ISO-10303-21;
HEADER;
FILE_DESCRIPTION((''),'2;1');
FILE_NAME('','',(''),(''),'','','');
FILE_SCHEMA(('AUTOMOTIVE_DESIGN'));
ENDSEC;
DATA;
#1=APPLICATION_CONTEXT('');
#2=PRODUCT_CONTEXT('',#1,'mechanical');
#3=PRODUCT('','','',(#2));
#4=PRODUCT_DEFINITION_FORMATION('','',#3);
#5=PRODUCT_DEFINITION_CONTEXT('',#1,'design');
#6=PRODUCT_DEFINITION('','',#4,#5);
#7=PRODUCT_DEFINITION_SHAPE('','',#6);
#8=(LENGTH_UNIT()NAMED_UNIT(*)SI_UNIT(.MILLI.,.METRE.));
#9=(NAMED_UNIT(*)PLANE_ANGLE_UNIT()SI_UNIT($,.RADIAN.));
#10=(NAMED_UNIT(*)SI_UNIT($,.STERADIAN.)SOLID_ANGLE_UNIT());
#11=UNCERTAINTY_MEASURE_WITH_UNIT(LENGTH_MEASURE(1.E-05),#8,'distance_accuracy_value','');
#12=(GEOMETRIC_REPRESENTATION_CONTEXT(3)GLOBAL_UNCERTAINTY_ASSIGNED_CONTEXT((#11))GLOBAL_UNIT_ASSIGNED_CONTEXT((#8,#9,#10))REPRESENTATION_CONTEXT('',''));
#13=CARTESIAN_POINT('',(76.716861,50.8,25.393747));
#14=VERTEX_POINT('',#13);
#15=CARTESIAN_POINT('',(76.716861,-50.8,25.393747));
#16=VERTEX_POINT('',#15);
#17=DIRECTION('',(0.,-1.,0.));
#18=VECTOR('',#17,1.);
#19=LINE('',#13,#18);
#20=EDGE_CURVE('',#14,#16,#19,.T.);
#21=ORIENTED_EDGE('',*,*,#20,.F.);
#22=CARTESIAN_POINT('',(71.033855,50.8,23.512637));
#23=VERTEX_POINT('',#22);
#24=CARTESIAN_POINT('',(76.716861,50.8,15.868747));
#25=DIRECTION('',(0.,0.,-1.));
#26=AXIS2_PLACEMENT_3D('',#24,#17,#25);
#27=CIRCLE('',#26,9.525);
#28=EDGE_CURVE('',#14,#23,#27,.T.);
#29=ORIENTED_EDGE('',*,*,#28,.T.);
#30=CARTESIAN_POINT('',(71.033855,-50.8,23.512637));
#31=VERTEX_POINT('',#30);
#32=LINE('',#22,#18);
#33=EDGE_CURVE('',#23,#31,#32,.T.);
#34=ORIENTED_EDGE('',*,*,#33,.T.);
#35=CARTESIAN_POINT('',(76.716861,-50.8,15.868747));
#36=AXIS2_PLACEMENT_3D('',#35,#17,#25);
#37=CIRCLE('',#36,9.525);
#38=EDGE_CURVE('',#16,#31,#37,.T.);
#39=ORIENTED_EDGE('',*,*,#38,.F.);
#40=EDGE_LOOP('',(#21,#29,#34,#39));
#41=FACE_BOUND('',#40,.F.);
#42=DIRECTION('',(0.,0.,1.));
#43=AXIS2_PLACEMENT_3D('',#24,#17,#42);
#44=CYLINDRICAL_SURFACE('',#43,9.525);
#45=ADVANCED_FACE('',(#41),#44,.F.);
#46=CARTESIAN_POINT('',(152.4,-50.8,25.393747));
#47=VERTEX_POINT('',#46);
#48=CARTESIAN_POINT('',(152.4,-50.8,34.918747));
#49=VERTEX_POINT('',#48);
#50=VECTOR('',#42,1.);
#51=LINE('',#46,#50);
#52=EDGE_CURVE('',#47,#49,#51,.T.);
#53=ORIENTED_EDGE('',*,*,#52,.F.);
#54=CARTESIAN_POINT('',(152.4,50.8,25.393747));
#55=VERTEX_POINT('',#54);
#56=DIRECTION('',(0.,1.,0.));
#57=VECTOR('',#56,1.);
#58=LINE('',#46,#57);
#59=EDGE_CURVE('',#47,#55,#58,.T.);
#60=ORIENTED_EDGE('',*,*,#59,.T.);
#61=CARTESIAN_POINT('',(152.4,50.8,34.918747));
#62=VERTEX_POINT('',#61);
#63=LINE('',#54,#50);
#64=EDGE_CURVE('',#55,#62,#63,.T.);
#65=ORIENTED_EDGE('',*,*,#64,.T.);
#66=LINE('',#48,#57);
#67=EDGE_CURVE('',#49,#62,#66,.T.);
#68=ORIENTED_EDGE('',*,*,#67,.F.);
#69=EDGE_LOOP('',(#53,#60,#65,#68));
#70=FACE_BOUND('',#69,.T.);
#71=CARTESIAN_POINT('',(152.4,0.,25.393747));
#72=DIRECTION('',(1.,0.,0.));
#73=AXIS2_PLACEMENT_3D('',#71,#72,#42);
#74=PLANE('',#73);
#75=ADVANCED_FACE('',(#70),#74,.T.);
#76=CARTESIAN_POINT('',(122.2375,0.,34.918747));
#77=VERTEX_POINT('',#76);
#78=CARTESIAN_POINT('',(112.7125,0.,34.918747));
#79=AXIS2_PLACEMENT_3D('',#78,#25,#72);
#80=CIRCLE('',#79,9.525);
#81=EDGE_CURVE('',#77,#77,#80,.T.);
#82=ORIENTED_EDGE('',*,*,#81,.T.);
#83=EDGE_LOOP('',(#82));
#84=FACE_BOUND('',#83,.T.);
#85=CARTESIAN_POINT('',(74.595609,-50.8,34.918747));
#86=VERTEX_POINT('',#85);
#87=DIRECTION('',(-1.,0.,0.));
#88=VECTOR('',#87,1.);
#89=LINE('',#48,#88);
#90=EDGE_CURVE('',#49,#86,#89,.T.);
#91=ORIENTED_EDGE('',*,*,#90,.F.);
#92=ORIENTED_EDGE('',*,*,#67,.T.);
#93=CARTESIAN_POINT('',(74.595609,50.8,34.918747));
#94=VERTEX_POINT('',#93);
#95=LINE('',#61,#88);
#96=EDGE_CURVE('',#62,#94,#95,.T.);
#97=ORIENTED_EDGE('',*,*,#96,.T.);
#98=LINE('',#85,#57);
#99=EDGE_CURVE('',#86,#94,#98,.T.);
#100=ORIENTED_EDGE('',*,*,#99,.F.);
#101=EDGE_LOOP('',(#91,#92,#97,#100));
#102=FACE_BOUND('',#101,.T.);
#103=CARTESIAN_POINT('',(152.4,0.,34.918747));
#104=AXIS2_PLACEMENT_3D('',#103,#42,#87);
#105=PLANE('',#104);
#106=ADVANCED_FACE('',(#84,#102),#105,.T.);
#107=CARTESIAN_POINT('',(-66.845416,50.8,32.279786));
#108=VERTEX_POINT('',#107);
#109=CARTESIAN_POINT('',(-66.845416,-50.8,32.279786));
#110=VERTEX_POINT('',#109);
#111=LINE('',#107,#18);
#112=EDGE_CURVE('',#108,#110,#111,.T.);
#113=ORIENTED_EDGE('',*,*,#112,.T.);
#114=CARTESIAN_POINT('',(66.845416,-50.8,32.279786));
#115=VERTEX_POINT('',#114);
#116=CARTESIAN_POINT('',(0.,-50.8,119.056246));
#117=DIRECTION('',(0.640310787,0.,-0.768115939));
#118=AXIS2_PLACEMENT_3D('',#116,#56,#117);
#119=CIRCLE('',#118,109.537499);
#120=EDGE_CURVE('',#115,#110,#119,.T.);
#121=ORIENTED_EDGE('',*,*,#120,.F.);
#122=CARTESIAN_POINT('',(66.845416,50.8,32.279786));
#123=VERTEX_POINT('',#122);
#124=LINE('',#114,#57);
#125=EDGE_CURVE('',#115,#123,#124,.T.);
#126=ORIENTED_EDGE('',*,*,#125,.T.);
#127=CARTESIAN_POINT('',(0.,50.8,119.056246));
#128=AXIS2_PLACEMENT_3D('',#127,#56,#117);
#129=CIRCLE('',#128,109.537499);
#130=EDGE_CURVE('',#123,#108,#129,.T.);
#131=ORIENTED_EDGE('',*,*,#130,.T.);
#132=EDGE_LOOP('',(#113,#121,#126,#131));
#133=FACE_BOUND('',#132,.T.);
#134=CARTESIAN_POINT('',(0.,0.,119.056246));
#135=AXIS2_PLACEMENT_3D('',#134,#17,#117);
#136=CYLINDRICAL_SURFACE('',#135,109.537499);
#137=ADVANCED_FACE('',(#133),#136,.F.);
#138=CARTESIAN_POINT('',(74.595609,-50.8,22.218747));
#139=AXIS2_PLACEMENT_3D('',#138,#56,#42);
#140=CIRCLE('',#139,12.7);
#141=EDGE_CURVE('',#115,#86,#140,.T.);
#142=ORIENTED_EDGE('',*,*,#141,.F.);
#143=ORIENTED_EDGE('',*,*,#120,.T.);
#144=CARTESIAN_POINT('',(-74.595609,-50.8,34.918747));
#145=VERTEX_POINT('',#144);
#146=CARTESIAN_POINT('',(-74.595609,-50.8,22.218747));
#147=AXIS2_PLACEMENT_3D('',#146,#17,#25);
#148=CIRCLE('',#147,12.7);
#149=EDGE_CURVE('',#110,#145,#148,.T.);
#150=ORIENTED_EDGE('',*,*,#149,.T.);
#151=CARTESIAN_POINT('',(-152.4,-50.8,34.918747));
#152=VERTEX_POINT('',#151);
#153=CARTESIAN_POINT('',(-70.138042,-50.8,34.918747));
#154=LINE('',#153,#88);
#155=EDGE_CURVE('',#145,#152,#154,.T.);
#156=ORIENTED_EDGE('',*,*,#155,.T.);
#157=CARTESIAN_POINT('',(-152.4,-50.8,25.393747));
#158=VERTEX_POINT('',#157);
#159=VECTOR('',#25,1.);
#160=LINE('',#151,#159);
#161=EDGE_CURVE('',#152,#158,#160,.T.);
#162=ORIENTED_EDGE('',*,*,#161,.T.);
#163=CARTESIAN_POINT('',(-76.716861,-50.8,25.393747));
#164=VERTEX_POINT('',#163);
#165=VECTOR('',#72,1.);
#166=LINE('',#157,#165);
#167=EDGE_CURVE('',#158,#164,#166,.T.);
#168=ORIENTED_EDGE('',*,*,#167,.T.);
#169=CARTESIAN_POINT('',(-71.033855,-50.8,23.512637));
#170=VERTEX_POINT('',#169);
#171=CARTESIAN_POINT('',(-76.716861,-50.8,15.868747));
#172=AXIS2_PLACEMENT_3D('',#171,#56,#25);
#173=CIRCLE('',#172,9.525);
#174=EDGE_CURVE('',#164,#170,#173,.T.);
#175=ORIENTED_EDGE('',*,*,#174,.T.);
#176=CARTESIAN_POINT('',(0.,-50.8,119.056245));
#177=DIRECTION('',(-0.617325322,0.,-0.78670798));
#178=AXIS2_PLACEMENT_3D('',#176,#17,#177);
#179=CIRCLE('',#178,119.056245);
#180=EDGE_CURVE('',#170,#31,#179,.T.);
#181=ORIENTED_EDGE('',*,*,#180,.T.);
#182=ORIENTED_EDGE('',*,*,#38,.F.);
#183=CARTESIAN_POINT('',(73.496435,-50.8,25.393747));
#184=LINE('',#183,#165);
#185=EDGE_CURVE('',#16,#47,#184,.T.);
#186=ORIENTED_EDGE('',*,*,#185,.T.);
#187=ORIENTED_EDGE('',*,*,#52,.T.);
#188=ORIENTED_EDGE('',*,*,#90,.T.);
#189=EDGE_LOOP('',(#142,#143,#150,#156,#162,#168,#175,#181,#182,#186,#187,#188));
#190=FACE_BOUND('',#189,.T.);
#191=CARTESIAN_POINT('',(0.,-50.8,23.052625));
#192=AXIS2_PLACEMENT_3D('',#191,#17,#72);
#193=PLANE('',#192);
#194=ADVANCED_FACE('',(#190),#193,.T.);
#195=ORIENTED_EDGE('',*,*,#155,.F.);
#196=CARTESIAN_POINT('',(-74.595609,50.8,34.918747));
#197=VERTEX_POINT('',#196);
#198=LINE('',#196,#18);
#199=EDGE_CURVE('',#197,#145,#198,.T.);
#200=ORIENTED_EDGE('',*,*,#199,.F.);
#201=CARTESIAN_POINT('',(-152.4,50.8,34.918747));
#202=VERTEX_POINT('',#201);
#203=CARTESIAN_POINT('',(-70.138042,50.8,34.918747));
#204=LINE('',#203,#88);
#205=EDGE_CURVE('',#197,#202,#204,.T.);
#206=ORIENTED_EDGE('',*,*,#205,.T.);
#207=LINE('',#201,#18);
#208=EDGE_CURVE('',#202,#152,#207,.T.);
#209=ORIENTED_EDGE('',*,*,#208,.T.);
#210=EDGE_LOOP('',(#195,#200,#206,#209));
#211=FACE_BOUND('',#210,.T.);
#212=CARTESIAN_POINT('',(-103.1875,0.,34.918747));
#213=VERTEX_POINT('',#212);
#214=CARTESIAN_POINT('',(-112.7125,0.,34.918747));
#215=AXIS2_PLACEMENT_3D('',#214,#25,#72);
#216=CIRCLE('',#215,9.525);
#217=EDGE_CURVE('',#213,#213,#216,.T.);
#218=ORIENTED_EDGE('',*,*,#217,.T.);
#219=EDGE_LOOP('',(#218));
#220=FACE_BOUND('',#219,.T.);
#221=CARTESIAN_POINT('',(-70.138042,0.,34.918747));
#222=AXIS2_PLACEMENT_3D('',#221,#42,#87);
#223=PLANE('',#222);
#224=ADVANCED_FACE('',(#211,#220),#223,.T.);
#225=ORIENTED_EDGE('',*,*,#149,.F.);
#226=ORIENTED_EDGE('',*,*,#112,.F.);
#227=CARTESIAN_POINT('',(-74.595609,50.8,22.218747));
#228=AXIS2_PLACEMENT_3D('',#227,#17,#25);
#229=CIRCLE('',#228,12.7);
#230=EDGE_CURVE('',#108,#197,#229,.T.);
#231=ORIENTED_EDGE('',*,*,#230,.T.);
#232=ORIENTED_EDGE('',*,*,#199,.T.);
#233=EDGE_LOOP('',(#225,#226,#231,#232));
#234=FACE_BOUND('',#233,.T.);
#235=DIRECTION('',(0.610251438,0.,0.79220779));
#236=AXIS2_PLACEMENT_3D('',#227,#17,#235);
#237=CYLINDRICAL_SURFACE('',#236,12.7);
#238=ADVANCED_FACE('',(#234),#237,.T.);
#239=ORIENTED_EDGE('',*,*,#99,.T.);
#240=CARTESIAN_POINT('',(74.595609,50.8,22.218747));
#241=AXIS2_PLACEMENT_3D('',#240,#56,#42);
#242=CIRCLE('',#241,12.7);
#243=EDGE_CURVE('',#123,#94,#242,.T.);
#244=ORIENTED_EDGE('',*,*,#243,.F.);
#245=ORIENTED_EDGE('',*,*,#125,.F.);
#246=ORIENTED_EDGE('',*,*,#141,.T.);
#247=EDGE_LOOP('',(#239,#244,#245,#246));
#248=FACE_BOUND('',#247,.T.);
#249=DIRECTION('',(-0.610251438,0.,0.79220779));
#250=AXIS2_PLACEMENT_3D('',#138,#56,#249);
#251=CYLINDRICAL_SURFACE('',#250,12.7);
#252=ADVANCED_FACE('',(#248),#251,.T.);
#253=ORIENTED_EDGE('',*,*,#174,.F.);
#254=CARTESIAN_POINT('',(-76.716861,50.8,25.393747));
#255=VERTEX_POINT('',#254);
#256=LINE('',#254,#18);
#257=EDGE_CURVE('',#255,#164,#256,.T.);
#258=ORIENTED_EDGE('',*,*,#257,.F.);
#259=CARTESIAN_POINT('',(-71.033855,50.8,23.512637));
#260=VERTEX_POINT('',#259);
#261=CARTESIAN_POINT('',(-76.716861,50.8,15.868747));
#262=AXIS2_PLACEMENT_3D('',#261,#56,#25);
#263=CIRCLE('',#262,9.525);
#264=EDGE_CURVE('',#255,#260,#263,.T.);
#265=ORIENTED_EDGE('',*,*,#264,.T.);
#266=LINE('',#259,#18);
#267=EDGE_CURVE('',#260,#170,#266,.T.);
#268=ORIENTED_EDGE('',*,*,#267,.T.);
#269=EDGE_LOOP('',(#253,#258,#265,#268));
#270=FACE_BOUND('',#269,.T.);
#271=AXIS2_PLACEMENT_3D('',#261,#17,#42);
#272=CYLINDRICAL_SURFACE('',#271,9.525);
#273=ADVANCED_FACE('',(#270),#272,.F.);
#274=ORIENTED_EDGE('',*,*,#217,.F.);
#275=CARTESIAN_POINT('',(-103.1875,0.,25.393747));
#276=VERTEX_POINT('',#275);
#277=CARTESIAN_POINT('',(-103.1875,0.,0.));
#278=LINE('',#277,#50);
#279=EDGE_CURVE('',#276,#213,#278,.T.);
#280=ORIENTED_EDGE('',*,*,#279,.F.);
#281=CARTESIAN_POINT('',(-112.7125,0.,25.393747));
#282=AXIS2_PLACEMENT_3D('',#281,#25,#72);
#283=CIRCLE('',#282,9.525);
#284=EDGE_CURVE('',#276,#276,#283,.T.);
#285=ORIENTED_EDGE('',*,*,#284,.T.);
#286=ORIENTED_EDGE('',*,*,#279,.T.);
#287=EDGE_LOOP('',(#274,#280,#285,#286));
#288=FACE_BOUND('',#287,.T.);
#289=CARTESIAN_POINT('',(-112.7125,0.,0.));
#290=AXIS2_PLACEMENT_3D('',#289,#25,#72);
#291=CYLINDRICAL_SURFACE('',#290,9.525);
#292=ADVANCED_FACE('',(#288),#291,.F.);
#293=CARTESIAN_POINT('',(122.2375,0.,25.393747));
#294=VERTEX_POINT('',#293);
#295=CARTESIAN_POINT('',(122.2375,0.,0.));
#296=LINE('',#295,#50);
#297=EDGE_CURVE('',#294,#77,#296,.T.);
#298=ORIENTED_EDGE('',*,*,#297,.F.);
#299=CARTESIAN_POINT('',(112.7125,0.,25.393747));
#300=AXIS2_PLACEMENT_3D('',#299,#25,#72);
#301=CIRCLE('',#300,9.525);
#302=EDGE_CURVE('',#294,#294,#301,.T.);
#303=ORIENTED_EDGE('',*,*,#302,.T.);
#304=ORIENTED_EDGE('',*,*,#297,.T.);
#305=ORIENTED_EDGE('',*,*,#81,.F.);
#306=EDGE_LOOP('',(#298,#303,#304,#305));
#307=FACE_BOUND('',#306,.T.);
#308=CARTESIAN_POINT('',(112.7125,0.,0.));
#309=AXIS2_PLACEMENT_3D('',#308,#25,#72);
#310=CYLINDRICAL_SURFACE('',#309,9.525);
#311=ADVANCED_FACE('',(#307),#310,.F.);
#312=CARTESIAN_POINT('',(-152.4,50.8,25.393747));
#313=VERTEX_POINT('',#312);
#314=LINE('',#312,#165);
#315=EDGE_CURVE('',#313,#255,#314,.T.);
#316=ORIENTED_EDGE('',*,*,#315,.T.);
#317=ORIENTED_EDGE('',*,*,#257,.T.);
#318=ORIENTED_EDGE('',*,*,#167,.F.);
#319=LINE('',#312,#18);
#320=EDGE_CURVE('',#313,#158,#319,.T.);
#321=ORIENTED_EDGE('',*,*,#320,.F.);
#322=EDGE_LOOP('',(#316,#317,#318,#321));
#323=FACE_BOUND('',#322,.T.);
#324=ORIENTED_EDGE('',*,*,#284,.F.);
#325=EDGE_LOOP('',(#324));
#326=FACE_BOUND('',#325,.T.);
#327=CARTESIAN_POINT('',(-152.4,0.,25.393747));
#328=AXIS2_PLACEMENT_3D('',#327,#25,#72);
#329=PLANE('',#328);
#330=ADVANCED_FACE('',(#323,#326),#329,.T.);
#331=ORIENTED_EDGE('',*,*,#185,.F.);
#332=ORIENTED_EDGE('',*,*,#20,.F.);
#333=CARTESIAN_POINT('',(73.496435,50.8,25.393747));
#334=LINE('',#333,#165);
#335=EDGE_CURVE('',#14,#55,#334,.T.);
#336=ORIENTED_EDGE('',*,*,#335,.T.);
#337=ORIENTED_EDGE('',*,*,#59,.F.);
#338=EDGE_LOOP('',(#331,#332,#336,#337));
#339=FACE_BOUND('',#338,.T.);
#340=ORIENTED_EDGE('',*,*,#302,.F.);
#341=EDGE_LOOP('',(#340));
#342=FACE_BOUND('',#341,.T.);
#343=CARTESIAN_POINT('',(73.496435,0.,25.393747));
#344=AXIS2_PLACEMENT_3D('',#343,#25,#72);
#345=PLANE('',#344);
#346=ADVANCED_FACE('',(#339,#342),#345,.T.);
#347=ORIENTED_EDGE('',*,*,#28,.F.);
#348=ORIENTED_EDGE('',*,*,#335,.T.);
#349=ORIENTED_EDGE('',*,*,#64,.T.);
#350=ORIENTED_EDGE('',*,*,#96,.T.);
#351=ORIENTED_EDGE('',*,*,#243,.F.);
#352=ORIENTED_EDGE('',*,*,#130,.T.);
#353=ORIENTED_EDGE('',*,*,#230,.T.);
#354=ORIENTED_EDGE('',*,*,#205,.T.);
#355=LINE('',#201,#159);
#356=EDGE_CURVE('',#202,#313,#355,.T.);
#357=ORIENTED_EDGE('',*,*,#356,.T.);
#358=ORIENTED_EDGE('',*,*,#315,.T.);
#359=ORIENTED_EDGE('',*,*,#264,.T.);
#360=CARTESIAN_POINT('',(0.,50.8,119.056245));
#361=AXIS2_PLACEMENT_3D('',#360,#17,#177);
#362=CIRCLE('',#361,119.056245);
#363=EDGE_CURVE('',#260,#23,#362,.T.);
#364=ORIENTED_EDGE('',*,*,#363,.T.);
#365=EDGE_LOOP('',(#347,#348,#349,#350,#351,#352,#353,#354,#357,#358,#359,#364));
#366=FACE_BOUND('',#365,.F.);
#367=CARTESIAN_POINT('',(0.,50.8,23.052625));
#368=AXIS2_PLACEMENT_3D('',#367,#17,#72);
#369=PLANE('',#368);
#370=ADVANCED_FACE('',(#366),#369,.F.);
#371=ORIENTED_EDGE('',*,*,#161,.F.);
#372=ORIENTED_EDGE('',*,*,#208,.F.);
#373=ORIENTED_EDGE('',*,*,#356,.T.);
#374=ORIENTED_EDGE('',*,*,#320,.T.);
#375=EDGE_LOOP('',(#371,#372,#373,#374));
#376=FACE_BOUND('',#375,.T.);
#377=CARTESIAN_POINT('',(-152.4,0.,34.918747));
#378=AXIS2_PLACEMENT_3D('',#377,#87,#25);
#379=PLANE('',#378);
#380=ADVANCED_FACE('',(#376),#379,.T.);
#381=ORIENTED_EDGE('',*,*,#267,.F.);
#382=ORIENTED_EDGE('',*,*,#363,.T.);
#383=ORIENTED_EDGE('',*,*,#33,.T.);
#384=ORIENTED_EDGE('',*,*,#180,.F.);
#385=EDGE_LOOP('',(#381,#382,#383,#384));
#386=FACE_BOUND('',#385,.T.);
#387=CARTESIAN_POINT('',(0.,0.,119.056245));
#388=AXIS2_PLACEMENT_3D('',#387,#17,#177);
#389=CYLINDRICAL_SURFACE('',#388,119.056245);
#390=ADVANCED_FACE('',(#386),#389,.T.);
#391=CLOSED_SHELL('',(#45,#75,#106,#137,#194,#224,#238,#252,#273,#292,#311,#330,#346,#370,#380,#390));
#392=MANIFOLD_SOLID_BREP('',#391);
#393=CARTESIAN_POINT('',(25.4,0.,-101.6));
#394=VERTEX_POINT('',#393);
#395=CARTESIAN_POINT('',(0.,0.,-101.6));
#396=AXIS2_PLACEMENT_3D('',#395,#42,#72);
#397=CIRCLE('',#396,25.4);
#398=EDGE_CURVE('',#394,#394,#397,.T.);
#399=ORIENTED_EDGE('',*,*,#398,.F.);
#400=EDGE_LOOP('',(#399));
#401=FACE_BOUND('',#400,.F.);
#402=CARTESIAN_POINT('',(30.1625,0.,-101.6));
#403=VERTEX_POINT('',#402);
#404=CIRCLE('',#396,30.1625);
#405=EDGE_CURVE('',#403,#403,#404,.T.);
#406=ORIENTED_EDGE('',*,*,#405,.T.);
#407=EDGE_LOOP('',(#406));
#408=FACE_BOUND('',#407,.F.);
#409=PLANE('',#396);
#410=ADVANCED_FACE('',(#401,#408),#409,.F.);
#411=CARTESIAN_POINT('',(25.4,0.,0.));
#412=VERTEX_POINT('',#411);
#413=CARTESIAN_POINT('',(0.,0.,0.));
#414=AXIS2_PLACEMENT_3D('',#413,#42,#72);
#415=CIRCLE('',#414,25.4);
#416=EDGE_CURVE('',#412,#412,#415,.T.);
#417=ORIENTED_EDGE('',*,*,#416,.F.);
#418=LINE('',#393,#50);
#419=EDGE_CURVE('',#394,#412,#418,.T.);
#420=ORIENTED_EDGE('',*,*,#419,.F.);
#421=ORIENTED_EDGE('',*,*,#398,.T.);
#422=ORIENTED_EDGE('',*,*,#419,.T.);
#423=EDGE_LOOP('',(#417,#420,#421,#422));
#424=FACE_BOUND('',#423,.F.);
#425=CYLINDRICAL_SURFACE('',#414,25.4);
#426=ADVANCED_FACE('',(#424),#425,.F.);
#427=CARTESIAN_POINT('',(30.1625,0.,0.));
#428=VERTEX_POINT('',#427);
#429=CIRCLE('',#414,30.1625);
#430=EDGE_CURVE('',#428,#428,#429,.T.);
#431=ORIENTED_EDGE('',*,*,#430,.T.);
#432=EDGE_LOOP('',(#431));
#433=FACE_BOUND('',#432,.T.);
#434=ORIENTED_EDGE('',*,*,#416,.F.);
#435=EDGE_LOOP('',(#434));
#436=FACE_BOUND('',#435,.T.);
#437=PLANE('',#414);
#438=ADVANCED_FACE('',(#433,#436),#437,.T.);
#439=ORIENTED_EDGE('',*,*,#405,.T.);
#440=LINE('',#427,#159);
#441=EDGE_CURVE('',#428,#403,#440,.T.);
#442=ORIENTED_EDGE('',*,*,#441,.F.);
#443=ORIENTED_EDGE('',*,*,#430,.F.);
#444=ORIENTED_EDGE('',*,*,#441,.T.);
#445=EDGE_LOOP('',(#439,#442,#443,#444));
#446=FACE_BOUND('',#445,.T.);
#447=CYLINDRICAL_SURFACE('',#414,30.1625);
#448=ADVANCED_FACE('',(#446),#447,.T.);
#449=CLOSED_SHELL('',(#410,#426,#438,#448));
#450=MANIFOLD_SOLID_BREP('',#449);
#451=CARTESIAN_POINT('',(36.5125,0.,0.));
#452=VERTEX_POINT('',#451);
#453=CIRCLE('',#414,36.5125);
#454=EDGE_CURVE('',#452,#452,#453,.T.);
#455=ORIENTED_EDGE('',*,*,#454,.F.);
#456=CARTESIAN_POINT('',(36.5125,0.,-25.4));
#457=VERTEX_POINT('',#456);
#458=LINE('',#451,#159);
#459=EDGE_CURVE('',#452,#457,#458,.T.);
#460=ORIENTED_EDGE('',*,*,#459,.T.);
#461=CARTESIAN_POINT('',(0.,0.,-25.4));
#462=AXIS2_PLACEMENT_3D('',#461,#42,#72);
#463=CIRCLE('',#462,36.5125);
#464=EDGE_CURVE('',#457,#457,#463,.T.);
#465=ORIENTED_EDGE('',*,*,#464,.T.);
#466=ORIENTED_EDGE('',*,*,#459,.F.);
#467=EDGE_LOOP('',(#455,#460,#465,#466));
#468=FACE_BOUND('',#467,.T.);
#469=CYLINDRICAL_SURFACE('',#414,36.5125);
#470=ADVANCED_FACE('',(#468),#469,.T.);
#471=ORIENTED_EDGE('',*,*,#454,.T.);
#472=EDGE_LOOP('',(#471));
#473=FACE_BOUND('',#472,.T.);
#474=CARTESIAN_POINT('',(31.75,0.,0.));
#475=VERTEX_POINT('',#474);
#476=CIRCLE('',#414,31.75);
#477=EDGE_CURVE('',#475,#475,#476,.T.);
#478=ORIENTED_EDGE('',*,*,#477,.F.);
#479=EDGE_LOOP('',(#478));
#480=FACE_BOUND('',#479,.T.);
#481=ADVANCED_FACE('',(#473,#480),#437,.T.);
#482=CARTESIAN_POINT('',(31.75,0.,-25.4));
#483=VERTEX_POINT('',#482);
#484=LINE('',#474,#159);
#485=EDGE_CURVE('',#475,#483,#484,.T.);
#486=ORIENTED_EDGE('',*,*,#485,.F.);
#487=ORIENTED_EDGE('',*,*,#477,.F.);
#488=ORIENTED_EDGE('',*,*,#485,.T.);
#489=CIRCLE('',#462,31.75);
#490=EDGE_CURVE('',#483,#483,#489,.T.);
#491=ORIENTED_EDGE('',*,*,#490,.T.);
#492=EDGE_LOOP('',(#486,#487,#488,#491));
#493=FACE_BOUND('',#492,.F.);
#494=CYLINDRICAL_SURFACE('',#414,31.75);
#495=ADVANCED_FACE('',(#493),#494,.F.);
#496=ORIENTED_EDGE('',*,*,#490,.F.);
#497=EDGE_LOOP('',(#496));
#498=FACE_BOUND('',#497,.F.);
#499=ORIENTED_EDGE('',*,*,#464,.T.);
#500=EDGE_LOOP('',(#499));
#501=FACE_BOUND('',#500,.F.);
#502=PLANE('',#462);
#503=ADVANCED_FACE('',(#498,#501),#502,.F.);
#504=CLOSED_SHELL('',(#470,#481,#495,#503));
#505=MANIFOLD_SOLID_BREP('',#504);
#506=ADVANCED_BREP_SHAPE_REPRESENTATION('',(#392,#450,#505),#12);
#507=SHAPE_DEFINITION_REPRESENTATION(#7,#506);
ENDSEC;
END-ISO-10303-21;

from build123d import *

# Parameters (mm, degrees)
F0_R     = 30.1625
F0_R_2   = 25.4
F1_DEPTH = 25.4
F2_DEPTH = 101.6
F0_R_3   = 36.5125
F0_R_4   = 31.75
F3_DEPTH = 25.4
F5_DEPTH = 50.8
F6_R     = 12.7
F7_R     = 9.525
F8_R     = 9.525
F9_DEPTH = 34.919747


with BuildPart() as f1:
    # F0 (on Top) → F1 (new body)
    with BuildSketch(Plane.XY):
        Circle(F0_R)
        Circle(F0_R_2, mode=Mode.SUBTRACT)
    extrude(amount=-F1_DEPTH)

    # F0 (on Top) → F2 (join)
    with BuildSketch(Plane.XY):
        Circle(F0_R)
        Circle(F0_R_2, mode=Mode.SUBTRACT)
    extrude(amount=-F2_DEPTH)


with BuildPart() as f3:
    # F0 (on Top) → F3 (new body)
    with BuildSketch(Plane.XY):
        Circle(F0_R_3)
        Circle(F0_R_4, mode=Mode.SUBTRACT)
    extrude(amount=-F3_DEPTH)


with BuildPart() as f5:
    # F4 (on Front) → F5 (new body, symmetric)
    with BuildSketch(Plane.XZ):
        with BuildLine():
            ThreePointArc((70.138042, 34.918747), (0, 9.518747), (-70.138042, 34.918747))
            Line((-70.138042, 34.918747), (-152.4, 34.918747))
            Line((-152.4, 34.918747), (-152.4, 25.393747))
            Line((-152.4, 25.393747), (-73.496435, 25.393747))
            ThreePointArc((-73.496435, 25.393747), (0, 0), (73.496435, 25.393747))
            Line((73.496435, 25.393747), (152.4, 25.393747))
            Line((152.4, 25.393747), (152.4, 34.918747))
            Line((152.4, 34.918747), (70.138042, 34.918747))
        make_face()
    extrude(amount=F5_DEPTH, both=True)

    # F6
    f6_edges = [f5.edges().sort_by_distance(p)[0] for p in [
        (70.138042, 0, 34.918747),
        (-70.138042, 0, 34.918747),
    ]]
    fillet(f6_edges, radius=F6_R)

    # F7
    f7_edges = [f5.edges().sort_by_distance(p)[0] for p in [
        (-73.496435, 0, 25.393747),
        (73.496435, 0, 25.393747),
    ]]
    fillet(f7_edges, radius=F7_R)

    # F8 (on Top) → F9 (cut, through all)
    with BuildSketch(Plane.XY):
        with Locations((-112.7125, 0)):
            Circle(F8_R)
        with Locations((112.7125, 0)):
            Circle(F8_R)
    extrude(amount=F9_DEPTH, mode=Mode.SUBTRACT)


solid = Compound([f1.part, f3.part, f5.part])
